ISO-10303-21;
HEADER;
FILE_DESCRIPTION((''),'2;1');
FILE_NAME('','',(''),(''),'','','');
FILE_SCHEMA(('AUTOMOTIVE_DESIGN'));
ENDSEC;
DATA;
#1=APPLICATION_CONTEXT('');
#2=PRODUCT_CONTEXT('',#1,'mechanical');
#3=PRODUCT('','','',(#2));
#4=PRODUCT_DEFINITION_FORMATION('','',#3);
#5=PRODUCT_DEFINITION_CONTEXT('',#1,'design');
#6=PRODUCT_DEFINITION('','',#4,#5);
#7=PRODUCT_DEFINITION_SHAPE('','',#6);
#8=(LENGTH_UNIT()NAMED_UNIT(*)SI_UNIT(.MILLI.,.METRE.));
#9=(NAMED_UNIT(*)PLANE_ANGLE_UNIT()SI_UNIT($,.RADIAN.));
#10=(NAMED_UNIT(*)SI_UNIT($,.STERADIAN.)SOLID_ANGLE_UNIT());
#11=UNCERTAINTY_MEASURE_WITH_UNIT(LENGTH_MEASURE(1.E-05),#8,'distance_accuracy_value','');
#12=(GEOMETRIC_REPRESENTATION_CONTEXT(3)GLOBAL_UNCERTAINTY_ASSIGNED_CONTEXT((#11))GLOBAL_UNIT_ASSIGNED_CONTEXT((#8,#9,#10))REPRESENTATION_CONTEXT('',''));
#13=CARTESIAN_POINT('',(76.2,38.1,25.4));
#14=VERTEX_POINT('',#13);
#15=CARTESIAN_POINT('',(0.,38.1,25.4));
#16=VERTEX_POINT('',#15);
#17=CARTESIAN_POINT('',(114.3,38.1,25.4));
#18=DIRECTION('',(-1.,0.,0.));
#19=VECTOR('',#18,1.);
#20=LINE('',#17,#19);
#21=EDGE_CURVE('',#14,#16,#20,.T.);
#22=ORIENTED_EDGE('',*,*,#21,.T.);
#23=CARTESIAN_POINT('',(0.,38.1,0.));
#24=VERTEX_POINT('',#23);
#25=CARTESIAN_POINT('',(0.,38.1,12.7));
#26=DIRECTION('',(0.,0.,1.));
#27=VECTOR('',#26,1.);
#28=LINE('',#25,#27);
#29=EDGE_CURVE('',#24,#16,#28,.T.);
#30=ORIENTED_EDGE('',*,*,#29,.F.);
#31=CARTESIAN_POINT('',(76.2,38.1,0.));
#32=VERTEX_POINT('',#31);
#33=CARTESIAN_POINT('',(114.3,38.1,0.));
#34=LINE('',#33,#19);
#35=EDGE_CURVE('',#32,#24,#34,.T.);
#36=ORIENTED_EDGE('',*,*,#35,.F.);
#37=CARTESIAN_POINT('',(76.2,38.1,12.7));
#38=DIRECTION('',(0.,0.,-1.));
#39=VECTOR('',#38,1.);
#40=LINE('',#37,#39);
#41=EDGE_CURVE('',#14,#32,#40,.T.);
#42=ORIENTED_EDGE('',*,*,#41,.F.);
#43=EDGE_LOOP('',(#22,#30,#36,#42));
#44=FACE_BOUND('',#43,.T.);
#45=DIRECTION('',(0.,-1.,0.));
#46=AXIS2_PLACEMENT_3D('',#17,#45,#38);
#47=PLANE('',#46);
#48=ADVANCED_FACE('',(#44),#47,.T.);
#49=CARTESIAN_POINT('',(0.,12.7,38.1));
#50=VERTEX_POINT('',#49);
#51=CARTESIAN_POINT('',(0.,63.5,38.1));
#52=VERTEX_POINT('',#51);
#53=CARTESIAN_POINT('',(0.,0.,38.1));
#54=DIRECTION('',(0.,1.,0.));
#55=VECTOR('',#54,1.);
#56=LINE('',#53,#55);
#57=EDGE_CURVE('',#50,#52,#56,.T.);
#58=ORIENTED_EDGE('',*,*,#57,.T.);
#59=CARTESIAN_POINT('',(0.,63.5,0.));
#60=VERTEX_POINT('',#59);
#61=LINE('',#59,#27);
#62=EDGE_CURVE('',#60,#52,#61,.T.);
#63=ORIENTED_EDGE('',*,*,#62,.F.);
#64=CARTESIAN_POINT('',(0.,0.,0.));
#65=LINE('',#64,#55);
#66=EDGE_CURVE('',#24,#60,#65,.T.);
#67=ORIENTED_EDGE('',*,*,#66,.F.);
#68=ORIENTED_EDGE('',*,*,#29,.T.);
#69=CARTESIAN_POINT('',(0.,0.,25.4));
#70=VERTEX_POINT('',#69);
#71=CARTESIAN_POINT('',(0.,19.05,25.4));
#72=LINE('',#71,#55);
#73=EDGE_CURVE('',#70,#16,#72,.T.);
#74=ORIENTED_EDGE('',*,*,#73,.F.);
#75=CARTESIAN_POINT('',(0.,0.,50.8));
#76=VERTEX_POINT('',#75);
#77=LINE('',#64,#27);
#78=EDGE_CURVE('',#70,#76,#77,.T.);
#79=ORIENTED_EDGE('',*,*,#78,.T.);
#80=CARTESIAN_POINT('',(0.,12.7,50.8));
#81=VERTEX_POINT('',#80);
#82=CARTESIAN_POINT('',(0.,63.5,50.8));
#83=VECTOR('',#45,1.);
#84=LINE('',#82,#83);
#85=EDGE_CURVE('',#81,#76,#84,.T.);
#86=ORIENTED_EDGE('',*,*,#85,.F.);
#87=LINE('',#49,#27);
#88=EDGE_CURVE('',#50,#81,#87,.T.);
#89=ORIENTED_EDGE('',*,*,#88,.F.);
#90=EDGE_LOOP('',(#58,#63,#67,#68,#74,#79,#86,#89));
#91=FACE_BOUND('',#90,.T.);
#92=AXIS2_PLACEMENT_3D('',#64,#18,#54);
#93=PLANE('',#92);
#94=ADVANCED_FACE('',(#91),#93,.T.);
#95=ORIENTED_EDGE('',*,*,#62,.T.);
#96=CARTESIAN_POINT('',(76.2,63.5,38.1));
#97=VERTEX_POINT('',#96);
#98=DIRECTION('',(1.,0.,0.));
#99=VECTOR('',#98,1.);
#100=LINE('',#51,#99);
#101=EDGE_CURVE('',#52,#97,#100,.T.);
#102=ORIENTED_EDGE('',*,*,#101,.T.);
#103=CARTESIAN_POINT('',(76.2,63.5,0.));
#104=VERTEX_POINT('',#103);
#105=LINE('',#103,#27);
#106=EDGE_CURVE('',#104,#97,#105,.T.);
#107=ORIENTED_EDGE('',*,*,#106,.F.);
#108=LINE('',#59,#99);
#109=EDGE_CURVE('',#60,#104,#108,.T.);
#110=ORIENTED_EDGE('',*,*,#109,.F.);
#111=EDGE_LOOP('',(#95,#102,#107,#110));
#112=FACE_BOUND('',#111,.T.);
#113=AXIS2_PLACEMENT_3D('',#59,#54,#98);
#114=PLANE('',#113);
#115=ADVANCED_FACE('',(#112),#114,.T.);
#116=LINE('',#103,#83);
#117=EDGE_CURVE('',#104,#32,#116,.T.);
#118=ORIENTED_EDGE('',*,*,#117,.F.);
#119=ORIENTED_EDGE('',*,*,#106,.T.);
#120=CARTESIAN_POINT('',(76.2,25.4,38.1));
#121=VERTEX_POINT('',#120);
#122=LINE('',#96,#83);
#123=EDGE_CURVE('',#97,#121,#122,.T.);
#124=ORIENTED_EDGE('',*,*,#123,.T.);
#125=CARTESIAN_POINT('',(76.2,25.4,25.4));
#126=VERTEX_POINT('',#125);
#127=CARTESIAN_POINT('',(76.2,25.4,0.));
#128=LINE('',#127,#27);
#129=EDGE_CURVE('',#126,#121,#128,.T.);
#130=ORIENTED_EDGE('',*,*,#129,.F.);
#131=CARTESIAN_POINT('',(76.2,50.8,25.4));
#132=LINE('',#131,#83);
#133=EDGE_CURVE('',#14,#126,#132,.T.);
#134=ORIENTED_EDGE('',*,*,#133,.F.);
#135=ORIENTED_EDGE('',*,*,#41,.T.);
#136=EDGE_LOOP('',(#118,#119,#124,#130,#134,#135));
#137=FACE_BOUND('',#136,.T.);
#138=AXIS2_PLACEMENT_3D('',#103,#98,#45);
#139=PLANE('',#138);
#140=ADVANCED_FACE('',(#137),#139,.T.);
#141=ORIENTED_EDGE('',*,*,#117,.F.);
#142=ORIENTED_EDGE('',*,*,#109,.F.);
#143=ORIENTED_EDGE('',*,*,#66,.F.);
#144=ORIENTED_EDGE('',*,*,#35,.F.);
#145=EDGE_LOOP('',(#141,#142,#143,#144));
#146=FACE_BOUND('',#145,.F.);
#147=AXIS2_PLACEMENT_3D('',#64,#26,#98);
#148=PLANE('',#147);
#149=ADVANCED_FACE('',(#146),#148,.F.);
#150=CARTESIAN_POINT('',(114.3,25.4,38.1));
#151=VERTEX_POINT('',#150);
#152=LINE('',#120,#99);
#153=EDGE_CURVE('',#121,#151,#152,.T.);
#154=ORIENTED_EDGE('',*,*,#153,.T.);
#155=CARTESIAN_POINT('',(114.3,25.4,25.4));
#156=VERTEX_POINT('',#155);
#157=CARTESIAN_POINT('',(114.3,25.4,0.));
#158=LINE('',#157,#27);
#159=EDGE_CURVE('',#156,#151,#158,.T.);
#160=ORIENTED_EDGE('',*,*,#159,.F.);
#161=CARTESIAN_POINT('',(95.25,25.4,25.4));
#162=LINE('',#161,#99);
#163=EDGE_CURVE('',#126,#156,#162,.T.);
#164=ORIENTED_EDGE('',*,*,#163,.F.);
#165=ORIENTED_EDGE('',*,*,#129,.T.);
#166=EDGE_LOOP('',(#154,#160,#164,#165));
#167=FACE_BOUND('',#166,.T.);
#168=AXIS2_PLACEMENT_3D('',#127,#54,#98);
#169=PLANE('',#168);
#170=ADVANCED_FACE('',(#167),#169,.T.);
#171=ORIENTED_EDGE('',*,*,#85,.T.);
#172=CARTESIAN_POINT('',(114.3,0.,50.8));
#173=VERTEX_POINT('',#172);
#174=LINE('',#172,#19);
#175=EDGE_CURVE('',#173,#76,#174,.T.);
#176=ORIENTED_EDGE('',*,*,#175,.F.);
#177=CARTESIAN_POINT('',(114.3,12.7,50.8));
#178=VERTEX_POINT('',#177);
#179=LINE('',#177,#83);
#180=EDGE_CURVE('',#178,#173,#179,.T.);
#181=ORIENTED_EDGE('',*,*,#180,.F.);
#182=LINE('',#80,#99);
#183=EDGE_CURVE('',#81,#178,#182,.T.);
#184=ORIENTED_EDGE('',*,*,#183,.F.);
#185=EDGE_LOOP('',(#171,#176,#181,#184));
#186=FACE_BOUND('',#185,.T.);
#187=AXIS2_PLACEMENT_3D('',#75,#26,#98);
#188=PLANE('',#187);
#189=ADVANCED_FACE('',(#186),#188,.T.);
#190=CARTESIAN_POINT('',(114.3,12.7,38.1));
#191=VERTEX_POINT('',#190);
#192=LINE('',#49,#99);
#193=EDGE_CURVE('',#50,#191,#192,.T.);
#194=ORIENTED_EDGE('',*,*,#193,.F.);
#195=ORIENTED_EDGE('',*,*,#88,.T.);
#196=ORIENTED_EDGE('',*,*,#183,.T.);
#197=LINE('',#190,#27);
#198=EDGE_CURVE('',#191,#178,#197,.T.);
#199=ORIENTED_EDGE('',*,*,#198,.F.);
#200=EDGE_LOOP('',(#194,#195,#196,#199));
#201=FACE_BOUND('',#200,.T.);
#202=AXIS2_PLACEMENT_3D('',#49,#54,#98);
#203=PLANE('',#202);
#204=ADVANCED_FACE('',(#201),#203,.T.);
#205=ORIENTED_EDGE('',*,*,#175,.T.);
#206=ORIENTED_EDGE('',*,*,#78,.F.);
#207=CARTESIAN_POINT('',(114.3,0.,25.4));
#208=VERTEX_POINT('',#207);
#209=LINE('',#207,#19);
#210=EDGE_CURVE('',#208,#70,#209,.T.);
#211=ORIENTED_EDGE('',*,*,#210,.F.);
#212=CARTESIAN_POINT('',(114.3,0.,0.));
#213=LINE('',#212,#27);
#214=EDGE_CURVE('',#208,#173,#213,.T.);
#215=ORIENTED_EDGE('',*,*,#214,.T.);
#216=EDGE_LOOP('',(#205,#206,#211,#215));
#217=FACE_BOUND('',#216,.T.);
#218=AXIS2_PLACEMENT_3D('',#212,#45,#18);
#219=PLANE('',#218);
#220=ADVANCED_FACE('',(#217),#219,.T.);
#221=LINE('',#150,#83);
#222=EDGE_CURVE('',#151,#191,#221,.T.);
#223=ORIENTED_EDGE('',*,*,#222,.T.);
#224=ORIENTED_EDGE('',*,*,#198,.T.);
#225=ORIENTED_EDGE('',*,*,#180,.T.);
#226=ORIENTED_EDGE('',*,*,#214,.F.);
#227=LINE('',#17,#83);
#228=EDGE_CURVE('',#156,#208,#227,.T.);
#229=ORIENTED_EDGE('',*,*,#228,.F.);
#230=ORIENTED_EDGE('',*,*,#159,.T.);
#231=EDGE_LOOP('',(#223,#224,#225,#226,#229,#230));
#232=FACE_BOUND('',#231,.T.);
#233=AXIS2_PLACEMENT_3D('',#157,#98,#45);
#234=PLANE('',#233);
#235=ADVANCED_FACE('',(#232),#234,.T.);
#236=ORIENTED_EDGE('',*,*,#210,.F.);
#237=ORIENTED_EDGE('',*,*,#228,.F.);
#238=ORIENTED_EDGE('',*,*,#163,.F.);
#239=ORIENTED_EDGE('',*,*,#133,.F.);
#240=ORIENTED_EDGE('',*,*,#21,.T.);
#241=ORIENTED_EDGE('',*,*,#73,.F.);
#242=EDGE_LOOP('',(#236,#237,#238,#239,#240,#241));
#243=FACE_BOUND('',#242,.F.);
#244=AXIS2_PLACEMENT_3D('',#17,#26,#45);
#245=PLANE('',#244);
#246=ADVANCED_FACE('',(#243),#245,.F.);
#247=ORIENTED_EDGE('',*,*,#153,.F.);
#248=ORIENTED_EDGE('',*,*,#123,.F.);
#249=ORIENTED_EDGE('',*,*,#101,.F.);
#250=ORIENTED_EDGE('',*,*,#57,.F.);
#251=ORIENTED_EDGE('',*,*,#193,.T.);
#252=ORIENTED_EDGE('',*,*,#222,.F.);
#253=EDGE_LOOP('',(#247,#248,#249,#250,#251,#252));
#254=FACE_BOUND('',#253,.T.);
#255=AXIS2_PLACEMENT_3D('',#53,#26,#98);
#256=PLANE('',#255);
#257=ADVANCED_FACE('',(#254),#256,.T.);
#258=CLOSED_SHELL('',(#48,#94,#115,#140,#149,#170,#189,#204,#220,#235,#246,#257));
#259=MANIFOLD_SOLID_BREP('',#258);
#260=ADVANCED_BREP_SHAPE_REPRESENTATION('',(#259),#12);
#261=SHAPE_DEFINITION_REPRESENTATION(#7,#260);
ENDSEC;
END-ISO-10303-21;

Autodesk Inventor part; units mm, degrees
ref_plane "YZ Plane" through (0, 0, 0) normal (1, 0, 0) x (0, 1, 0)
ref_plane "XZ Plane" through (0, 0, 0) normal (0, 1, 0) x (-1, 0, 0)
ref_plane "XY Plane" through (0, 0, 0) normal (0, 0, 1) x (1, 0, 0)
sketch "Sketch1" plane through (0, 0, 0) normal (0, 0, 1) x (1, 0, 0)
  line L0 (0, 0) -> (0, 63.5)
  line L1 (0, 63.5) -> (76.2, 63.5)
  line L2 (76.2, 63.5) -> (76.2, 25.4)
  line L3 (76.2, 25.4) -> (114.3, 25.4)
  line L4 (114.3, 25.4) -> (114.3, 0)
  line L5 (114.3, 0) -> (0, 0)
  dimension "d0" = 63.5
  dimension "d1" = 114.3
  dimension "d2" = 25.4
  dimension "d3" = 76.2
extrude "Extrusion1" add sketch "Sketch1" along normal blind 38.1
sketch "Sketch2" plane through (0, 0, 38.1) normal (0, 0, 1) x (1, 0, 0)
  line L0 (0, 63.5) -> (0, 0) projected
  line L1 (0, 12.7) -> (114.3, 12.7)
  line L2 (114.3, 12.7) -> (114.3, 0)
  line L3 (114.3, 0) -> (0, 0)
  line L4 (0, 0) -> (114.3, 0) projected
  line L5 (0, 0) -> (0, 12.7)
  dimension "d6" = 114.3
  dimension "d7" = 12.7
extrude "Extrusion2" add sketch "Sketch2" along normal blind 12.7
sketch "Sketch3" plane through (114.3, 0, 0) normal (1, 0, 0) x (0, 0, -1)
  line L0 (-25.4, 38.1) -> (-25.4, 0)
  line L1 (-25.4, 0) -> (0, 0)
  line L2 (0, 0) -> (-50.8, 0) projected
  line L3 (0, 0) -> (0, 38.1)
  line L4 (0, 63.5) -> (0, 25.4) projected
  line L5 (-25.4, 38.1) -> (0, 38.1)
  line L6 (0, 0) -> (-25.4, 0)
  dimension "d10" = 25.4
  dimension "d11" = 38.1
extrude "Extrusion3" cut sketch "Sketch3" against normal blind 150.8125
properties part number "4.1e Q4"
